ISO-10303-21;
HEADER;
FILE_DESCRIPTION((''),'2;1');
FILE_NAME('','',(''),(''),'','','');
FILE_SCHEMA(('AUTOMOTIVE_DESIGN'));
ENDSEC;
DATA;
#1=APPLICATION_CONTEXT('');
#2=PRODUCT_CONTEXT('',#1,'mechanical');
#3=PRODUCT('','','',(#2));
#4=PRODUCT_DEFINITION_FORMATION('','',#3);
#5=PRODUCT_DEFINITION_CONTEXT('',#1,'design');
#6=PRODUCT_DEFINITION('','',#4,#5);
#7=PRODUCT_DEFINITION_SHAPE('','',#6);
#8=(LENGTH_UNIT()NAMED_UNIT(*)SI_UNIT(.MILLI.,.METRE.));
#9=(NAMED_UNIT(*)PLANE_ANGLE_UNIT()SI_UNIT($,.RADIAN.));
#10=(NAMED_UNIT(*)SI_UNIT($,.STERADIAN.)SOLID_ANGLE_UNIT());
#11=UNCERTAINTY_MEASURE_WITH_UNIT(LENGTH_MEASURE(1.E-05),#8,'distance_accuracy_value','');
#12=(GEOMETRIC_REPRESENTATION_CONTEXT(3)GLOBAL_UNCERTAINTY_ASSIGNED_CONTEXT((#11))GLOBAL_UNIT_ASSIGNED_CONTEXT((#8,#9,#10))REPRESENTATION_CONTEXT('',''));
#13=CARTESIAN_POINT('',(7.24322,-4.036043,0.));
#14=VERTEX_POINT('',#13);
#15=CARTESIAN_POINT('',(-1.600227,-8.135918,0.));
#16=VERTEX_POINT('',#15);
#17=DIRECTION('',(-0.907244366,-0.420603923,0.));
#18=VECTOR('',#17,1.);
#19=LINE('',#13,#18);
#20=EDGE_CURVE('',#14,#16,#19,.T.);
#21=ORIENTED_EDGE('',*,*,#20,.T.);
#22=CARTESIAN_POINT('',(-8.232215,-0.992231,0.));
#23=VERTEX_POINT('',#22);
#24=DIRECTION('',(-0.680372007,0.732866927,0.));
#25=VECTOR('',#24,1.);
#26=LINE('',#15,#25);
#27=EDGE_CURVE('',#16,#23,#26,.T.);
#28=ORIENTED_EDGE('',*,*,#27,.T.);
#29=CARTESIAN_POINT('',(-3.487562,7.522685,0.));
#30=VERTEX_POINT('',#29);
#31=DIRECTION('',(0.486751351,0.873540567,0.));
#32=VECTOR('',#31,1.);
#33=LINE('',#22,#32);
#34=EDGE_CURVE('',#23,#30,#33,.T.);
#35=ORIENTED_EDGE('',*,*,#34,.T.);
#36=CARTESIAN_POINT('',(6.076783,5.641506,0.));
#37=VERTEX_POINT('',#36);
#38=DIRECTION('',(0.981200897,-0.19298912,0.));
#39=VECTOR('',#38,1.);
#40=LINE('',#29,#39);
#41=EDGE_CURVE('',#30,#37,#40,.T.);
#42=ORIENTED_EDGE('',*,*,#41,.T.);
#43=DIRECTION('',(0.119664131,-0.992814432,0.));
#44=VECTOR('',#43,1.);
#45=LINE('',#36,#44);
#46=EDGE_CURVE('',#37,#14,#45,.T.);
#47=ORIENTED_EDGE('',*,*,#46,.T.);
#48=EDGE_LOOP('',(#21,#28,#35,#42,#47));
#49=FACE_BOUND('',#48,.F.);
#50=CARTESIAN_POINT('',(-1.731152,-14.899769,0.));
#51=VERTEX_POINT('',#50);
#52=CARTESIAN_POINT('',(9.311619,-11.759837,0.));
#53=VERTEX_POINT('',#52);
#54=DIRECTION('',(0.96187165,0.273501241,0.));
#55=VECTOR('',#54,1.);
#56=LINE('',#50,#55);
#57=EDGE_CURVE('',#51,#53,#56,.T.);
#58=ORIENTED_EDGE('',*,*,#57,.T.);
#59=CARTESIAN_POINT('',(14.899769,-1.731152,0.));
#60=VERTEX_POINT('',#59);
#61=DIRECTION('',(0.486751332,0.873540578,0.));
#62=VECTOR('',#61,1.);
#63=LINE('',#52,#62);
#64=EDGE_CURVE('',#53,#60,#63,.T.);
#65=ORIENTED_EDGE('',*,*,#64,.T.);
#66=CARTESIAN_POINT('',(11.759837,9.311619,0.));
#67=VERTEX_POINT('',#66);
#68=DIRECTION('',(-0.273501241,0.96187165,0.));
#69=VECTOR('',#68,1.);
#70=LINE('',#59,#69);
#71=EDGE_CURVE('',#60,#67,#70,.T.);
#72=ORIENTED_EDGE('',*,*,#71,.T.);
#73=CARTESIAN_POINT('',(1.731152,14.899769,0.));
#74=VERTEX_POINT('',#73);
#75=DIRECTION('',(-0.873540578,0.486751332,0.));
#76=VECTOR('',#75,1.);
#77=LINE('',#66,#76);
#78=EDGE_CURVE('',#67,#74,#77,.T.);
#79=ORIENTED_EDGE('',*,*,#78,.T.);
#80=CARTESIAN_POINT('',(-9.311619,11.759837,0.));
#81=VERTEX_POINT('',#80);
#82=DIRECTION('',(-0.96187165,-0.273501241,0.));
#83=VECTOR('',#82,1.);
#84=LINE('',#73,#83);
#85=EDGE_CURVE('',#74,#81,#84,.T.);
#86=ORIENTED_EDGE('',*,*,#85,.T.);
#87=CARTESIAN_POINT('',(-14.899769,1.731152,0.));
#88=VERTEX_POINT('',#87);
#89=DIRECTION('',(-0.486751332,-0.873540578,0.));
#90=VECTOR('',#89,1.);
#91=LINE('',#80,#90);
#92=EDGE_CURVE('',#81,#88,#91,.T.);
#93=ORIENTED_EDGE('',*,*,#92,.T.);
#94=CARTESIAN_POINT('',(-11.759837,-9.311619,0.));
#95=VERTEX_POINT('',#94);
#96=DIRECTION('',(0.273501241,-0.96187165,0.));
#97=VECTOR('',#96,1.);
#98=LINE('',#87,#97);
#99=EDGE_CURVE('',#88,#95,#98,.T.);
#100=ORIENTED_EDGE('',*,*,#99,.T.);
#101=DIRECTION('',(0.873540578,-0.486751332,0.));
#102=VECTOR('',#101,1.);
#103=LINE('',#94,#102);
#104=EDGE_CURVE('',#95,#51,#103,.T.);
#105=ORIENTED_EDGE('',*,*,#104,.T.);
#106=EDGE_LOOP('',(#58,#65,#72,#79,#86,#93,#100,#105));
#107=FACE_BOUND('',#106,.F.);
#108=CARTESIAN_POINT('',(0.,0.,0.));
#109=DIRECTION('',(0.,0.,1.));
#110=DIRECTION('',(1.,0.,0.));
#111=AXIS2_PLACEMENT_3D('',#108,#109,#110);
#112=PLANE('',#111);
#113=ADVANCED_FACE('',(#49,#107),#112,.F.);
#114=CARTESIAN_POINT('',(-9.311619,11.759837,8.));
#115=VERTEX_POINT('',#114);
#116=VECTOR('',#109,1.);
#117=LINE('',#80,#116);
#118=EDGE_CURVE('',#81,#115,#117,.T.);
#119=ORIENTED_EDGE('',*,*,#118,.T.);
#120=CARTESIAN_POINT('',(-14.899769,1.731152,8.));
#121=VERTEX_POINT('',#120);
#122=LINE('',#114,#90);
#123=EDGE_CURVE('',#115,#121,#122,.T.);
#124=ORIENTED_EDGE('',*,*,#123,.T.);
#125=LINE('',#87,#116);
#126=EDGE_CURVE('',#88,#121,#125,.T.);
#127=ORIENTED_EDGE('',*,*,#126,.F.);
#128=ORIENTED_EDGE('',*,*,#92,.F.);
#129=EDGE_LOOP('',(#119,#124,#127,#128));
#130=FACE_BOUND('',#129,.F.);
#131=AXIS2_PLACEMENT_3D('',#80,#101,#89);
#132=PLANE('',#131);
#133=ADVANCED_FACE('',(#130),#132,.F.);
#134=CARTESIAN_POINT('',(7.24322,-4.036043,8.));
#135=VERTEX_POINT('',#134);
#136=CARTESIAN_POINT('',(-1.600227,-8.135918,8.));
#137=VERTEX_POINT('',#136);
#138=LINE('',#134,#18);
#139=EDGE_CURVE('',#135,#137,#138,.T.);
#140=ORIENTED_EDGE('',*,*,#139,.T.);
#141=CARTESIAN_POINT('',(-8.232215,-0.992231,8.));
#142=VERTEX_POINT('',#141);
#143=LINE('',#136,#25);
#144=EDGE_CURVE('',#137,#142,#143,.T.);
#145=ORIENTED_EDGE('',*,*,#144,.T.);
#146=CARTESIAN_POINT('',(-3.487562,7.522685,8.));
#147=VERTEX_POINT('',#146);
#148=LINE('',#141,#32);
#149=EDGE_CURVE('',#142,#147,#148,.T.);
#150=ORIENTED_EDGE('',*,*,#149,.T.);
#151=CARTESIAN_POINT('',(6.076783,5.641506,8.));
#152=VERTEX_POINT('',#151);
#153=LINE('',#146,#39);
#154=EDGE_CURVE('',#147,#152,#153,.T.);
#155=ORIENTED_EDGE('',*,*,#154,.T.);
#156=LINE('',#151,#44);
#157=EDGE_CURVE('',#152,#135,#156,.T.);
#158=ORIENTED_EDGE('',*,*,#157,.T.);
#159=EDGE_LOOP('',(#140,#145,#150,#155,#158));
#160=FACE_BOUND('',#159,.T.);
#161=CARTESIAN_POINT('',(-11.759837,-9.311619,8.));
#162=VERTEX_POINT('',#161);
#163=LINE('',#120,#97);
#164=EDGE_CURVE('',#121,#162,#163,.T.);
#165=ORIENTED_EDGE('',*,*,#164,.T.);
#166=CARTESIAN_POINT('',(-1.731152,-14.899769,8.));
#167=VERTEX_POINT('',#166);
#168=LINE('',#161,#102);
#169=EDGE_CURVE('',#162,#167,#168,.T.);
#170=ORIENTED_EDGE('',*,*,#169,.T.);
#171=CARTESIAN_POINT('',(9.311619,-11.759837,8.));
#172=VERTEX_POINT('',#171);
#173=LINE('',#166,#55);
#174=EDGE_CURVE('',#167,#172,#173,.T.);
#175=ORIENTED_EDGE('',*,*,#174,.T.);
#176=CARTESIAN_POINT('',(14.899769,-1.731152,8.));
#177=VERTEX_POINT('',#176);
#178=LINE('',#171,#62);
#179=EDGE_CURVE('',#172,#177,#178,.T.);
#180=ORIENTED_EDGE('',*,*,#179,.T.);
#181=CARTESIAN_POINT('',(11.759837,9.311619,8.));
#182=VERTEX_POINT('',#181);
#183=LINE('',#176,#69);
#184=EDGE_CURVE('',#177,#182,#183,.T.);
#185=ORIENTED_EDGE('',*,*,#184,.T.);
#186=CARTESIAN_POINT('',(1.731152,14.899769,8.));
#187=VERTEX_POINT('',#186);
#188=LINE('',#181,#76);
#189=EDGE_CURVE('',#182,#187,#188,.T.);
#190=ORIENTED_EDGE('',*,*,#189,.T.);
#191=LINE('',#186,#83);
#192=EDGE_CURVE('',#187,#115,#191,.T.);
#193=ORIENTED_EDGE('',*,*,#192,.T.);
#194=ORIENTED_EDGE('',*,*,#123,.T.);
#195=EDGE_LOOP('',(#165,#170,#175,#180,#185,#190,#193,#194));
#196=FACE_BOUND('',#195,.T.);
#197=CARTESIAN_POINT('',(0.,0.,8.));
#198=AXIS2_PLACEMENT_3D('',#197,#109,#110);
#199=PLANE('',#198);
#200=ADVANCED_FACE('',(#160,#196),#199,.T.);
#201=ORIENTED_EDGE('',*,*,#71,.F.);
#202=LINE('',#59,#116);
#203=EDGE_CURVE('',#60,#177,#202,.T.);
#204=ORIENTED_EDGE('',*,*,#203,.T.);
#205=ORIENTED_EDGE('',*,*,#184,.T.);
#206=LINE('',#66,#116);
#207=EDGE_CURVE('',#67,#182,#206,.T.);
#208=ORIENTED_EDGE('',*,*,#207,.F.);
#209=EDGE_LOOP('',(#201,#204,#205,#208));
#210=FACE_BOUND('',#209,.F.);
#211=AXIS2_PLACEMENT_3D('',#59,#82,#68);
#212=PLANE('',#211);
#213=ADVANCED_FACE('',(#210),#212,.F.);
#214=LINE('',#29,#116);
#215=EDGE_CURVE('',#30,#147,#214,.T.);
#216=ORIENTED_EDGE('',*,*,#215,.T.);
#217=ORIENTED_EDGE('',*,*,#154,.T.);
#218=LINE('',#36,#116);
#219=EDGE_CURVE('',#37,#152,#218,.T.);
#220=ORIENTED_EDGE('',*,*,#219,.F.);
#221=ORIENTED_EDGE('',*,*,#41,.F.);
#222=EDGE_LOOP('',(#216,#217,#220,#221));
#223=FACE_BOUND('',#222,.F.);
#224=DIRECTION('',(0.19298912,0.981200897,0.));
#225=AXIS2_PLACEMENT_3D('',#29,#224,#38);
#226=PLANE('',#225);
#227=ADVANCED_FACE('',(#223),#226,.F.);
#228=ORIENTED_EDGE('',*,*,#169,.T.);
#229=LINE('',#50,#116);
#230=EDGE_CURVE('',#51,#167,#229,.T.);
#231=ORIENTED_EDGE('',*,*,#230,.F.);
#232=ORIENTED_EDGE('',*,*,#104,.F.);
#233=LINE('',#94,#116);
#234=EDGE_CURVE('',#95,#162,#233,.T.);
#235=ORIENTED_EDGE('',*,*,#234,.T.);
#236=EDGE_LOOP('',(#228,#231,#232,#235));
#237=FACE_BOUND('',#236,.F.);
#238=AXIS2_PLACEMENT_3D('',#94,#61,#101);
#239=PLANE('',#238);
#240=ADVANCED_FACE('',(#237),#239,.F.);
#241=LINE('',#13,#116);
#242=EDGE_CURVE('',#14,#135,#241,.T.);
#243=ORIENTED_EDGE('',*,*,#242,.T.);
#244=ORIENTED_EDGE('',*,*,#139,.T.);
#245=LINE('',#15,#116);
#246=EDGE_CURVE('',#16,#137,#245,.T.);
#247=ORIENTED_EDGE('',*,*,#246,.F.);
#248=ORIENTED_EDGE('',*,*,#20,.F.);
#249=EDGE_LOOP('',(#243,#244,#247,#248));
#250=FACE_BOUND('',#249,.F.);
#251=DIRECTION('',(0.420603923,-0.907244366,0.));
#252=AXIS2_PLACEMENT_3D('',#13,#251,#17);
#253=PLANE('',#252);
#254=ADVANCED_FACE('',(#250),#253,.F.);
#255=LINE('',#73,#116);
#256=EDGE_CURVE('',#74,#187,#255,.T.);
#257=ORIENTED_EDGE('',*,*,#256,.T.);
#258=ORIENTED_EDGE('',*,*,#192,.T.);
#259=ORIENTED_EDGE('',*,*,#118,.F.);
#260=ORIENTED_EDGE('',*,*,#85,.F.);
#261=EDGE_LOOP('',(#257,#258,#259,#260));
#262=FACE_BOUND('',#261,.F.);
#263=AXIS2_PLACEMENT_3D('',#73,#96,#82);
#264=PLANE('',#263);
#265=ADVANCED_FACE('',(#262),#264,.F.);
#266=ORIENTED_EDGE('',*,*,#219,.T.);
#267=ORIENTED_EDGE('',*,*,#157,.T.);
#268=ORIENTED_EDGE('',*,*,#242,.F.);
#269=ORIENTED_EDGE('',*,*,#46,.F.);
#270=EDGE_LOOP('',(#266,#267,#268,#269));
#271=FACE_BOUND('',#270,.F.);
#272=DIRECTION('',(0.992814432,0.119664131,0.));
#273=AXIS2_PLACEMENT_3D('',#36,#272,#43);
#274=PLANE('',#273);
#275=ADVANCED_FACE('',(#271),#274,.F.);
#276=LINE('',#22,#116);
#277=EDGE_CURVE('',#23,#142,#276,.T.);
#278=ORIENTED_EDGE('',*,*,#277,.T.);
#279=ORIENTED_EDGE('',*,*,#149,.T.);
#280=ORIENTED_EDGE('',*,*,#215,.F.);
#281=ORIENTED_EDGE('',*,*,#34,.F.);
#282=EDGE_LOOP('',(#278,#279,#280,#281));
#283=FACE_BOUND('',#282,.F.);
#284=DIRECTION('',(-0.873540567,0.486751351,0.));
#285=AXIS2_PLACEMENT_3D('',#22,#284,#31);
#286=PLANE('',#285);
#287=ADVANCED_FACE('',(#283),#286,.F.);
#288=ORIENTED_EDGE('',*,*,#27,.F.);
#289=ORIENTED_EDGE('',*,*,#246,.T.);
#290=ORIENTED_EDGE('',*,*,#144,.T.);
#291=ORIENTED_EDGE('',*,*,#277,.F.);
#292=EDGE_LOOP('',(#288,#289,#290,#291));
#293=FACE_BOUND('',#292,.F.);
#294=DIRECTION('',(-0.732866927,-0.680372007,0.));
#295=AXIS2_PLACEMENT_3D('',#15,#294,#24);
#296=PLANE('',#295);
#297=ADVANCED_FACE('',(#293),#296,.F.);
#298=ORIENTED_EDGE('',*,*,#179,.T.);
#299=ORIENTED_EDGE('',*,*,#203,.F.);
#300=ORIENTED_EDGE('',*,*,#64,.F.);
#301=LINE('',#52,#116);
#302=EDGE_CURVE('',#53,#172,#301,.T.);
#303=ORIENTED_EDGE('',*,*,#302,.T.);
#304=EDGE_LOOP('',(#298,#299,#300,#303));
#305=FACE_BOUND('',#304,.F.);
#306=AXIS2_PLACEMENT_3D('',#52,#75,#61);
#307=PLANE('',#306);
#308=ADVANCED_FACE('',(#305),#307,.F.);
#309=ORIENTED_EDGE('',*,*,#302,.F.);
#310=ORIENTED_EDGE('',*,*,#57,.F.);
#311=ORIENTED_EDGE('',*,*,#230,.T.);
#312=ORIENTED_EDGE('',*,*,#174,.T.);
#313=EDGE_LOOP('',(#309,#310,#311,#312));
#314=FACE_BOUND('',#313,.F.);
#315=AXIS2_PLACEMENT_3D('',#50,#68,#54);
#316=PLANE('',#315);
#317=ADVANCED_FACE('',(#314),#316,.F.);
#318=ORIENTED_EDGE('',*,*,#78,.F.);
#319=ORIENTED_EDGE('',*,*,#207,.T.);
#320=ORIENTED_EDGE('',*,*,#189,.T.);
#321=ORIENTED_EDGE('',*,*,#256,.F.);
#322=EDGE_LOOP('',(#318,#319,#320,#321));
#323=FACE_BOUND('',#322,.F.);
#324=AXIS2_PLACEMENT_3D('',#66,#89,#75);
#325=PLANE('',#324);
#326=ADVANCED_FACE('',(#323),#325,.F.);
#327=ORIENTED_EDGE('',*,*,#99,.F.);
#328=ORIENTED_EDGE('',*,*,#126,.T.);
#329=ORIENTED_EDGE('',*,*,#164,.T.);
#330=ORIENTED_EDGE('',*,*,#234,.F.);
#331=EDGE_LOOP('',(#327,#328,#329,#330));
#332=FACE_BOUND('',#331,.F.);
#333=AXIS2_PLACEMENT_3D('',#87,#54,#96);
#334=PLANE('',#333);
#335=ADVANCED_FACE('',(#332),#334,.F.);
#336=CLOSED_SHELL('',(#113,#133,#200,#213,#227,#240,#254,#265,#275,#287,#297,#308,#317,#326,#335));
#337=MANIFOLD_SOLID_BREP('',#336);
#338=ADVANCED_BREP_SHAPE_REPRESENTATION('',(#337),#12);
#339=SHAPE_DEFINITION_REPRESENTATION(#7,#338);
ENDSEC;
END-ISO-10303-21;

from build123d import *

# Parameters (mm, degrees)
F1_DEPTH = 8


with BuildPart() as f1:
    # F0 (on Top) → F1 (new body)
    with BuildSketch(Plane.XY):
        Polygon((-9.311619, 11.759837), (-14.899769, 1.731152), (-11.759837, -9.311619), (-1.731152, -14.899769), (9.311619, -11.759837), (14.899769, -1.731152), (11.759837, 9.311619), (1.731152, 14.899769), align=None)
        Polygon((-1.600227, -8.135918), (-8.232215, -0.992231), (-3.487562, 7.522685), (6.076783, 5.641506), (7.24322, -4.036043), align=None, mode=Mode.SUBTRACT)
    extrude(amount=F1_DEPTH)


solid = f1.part
